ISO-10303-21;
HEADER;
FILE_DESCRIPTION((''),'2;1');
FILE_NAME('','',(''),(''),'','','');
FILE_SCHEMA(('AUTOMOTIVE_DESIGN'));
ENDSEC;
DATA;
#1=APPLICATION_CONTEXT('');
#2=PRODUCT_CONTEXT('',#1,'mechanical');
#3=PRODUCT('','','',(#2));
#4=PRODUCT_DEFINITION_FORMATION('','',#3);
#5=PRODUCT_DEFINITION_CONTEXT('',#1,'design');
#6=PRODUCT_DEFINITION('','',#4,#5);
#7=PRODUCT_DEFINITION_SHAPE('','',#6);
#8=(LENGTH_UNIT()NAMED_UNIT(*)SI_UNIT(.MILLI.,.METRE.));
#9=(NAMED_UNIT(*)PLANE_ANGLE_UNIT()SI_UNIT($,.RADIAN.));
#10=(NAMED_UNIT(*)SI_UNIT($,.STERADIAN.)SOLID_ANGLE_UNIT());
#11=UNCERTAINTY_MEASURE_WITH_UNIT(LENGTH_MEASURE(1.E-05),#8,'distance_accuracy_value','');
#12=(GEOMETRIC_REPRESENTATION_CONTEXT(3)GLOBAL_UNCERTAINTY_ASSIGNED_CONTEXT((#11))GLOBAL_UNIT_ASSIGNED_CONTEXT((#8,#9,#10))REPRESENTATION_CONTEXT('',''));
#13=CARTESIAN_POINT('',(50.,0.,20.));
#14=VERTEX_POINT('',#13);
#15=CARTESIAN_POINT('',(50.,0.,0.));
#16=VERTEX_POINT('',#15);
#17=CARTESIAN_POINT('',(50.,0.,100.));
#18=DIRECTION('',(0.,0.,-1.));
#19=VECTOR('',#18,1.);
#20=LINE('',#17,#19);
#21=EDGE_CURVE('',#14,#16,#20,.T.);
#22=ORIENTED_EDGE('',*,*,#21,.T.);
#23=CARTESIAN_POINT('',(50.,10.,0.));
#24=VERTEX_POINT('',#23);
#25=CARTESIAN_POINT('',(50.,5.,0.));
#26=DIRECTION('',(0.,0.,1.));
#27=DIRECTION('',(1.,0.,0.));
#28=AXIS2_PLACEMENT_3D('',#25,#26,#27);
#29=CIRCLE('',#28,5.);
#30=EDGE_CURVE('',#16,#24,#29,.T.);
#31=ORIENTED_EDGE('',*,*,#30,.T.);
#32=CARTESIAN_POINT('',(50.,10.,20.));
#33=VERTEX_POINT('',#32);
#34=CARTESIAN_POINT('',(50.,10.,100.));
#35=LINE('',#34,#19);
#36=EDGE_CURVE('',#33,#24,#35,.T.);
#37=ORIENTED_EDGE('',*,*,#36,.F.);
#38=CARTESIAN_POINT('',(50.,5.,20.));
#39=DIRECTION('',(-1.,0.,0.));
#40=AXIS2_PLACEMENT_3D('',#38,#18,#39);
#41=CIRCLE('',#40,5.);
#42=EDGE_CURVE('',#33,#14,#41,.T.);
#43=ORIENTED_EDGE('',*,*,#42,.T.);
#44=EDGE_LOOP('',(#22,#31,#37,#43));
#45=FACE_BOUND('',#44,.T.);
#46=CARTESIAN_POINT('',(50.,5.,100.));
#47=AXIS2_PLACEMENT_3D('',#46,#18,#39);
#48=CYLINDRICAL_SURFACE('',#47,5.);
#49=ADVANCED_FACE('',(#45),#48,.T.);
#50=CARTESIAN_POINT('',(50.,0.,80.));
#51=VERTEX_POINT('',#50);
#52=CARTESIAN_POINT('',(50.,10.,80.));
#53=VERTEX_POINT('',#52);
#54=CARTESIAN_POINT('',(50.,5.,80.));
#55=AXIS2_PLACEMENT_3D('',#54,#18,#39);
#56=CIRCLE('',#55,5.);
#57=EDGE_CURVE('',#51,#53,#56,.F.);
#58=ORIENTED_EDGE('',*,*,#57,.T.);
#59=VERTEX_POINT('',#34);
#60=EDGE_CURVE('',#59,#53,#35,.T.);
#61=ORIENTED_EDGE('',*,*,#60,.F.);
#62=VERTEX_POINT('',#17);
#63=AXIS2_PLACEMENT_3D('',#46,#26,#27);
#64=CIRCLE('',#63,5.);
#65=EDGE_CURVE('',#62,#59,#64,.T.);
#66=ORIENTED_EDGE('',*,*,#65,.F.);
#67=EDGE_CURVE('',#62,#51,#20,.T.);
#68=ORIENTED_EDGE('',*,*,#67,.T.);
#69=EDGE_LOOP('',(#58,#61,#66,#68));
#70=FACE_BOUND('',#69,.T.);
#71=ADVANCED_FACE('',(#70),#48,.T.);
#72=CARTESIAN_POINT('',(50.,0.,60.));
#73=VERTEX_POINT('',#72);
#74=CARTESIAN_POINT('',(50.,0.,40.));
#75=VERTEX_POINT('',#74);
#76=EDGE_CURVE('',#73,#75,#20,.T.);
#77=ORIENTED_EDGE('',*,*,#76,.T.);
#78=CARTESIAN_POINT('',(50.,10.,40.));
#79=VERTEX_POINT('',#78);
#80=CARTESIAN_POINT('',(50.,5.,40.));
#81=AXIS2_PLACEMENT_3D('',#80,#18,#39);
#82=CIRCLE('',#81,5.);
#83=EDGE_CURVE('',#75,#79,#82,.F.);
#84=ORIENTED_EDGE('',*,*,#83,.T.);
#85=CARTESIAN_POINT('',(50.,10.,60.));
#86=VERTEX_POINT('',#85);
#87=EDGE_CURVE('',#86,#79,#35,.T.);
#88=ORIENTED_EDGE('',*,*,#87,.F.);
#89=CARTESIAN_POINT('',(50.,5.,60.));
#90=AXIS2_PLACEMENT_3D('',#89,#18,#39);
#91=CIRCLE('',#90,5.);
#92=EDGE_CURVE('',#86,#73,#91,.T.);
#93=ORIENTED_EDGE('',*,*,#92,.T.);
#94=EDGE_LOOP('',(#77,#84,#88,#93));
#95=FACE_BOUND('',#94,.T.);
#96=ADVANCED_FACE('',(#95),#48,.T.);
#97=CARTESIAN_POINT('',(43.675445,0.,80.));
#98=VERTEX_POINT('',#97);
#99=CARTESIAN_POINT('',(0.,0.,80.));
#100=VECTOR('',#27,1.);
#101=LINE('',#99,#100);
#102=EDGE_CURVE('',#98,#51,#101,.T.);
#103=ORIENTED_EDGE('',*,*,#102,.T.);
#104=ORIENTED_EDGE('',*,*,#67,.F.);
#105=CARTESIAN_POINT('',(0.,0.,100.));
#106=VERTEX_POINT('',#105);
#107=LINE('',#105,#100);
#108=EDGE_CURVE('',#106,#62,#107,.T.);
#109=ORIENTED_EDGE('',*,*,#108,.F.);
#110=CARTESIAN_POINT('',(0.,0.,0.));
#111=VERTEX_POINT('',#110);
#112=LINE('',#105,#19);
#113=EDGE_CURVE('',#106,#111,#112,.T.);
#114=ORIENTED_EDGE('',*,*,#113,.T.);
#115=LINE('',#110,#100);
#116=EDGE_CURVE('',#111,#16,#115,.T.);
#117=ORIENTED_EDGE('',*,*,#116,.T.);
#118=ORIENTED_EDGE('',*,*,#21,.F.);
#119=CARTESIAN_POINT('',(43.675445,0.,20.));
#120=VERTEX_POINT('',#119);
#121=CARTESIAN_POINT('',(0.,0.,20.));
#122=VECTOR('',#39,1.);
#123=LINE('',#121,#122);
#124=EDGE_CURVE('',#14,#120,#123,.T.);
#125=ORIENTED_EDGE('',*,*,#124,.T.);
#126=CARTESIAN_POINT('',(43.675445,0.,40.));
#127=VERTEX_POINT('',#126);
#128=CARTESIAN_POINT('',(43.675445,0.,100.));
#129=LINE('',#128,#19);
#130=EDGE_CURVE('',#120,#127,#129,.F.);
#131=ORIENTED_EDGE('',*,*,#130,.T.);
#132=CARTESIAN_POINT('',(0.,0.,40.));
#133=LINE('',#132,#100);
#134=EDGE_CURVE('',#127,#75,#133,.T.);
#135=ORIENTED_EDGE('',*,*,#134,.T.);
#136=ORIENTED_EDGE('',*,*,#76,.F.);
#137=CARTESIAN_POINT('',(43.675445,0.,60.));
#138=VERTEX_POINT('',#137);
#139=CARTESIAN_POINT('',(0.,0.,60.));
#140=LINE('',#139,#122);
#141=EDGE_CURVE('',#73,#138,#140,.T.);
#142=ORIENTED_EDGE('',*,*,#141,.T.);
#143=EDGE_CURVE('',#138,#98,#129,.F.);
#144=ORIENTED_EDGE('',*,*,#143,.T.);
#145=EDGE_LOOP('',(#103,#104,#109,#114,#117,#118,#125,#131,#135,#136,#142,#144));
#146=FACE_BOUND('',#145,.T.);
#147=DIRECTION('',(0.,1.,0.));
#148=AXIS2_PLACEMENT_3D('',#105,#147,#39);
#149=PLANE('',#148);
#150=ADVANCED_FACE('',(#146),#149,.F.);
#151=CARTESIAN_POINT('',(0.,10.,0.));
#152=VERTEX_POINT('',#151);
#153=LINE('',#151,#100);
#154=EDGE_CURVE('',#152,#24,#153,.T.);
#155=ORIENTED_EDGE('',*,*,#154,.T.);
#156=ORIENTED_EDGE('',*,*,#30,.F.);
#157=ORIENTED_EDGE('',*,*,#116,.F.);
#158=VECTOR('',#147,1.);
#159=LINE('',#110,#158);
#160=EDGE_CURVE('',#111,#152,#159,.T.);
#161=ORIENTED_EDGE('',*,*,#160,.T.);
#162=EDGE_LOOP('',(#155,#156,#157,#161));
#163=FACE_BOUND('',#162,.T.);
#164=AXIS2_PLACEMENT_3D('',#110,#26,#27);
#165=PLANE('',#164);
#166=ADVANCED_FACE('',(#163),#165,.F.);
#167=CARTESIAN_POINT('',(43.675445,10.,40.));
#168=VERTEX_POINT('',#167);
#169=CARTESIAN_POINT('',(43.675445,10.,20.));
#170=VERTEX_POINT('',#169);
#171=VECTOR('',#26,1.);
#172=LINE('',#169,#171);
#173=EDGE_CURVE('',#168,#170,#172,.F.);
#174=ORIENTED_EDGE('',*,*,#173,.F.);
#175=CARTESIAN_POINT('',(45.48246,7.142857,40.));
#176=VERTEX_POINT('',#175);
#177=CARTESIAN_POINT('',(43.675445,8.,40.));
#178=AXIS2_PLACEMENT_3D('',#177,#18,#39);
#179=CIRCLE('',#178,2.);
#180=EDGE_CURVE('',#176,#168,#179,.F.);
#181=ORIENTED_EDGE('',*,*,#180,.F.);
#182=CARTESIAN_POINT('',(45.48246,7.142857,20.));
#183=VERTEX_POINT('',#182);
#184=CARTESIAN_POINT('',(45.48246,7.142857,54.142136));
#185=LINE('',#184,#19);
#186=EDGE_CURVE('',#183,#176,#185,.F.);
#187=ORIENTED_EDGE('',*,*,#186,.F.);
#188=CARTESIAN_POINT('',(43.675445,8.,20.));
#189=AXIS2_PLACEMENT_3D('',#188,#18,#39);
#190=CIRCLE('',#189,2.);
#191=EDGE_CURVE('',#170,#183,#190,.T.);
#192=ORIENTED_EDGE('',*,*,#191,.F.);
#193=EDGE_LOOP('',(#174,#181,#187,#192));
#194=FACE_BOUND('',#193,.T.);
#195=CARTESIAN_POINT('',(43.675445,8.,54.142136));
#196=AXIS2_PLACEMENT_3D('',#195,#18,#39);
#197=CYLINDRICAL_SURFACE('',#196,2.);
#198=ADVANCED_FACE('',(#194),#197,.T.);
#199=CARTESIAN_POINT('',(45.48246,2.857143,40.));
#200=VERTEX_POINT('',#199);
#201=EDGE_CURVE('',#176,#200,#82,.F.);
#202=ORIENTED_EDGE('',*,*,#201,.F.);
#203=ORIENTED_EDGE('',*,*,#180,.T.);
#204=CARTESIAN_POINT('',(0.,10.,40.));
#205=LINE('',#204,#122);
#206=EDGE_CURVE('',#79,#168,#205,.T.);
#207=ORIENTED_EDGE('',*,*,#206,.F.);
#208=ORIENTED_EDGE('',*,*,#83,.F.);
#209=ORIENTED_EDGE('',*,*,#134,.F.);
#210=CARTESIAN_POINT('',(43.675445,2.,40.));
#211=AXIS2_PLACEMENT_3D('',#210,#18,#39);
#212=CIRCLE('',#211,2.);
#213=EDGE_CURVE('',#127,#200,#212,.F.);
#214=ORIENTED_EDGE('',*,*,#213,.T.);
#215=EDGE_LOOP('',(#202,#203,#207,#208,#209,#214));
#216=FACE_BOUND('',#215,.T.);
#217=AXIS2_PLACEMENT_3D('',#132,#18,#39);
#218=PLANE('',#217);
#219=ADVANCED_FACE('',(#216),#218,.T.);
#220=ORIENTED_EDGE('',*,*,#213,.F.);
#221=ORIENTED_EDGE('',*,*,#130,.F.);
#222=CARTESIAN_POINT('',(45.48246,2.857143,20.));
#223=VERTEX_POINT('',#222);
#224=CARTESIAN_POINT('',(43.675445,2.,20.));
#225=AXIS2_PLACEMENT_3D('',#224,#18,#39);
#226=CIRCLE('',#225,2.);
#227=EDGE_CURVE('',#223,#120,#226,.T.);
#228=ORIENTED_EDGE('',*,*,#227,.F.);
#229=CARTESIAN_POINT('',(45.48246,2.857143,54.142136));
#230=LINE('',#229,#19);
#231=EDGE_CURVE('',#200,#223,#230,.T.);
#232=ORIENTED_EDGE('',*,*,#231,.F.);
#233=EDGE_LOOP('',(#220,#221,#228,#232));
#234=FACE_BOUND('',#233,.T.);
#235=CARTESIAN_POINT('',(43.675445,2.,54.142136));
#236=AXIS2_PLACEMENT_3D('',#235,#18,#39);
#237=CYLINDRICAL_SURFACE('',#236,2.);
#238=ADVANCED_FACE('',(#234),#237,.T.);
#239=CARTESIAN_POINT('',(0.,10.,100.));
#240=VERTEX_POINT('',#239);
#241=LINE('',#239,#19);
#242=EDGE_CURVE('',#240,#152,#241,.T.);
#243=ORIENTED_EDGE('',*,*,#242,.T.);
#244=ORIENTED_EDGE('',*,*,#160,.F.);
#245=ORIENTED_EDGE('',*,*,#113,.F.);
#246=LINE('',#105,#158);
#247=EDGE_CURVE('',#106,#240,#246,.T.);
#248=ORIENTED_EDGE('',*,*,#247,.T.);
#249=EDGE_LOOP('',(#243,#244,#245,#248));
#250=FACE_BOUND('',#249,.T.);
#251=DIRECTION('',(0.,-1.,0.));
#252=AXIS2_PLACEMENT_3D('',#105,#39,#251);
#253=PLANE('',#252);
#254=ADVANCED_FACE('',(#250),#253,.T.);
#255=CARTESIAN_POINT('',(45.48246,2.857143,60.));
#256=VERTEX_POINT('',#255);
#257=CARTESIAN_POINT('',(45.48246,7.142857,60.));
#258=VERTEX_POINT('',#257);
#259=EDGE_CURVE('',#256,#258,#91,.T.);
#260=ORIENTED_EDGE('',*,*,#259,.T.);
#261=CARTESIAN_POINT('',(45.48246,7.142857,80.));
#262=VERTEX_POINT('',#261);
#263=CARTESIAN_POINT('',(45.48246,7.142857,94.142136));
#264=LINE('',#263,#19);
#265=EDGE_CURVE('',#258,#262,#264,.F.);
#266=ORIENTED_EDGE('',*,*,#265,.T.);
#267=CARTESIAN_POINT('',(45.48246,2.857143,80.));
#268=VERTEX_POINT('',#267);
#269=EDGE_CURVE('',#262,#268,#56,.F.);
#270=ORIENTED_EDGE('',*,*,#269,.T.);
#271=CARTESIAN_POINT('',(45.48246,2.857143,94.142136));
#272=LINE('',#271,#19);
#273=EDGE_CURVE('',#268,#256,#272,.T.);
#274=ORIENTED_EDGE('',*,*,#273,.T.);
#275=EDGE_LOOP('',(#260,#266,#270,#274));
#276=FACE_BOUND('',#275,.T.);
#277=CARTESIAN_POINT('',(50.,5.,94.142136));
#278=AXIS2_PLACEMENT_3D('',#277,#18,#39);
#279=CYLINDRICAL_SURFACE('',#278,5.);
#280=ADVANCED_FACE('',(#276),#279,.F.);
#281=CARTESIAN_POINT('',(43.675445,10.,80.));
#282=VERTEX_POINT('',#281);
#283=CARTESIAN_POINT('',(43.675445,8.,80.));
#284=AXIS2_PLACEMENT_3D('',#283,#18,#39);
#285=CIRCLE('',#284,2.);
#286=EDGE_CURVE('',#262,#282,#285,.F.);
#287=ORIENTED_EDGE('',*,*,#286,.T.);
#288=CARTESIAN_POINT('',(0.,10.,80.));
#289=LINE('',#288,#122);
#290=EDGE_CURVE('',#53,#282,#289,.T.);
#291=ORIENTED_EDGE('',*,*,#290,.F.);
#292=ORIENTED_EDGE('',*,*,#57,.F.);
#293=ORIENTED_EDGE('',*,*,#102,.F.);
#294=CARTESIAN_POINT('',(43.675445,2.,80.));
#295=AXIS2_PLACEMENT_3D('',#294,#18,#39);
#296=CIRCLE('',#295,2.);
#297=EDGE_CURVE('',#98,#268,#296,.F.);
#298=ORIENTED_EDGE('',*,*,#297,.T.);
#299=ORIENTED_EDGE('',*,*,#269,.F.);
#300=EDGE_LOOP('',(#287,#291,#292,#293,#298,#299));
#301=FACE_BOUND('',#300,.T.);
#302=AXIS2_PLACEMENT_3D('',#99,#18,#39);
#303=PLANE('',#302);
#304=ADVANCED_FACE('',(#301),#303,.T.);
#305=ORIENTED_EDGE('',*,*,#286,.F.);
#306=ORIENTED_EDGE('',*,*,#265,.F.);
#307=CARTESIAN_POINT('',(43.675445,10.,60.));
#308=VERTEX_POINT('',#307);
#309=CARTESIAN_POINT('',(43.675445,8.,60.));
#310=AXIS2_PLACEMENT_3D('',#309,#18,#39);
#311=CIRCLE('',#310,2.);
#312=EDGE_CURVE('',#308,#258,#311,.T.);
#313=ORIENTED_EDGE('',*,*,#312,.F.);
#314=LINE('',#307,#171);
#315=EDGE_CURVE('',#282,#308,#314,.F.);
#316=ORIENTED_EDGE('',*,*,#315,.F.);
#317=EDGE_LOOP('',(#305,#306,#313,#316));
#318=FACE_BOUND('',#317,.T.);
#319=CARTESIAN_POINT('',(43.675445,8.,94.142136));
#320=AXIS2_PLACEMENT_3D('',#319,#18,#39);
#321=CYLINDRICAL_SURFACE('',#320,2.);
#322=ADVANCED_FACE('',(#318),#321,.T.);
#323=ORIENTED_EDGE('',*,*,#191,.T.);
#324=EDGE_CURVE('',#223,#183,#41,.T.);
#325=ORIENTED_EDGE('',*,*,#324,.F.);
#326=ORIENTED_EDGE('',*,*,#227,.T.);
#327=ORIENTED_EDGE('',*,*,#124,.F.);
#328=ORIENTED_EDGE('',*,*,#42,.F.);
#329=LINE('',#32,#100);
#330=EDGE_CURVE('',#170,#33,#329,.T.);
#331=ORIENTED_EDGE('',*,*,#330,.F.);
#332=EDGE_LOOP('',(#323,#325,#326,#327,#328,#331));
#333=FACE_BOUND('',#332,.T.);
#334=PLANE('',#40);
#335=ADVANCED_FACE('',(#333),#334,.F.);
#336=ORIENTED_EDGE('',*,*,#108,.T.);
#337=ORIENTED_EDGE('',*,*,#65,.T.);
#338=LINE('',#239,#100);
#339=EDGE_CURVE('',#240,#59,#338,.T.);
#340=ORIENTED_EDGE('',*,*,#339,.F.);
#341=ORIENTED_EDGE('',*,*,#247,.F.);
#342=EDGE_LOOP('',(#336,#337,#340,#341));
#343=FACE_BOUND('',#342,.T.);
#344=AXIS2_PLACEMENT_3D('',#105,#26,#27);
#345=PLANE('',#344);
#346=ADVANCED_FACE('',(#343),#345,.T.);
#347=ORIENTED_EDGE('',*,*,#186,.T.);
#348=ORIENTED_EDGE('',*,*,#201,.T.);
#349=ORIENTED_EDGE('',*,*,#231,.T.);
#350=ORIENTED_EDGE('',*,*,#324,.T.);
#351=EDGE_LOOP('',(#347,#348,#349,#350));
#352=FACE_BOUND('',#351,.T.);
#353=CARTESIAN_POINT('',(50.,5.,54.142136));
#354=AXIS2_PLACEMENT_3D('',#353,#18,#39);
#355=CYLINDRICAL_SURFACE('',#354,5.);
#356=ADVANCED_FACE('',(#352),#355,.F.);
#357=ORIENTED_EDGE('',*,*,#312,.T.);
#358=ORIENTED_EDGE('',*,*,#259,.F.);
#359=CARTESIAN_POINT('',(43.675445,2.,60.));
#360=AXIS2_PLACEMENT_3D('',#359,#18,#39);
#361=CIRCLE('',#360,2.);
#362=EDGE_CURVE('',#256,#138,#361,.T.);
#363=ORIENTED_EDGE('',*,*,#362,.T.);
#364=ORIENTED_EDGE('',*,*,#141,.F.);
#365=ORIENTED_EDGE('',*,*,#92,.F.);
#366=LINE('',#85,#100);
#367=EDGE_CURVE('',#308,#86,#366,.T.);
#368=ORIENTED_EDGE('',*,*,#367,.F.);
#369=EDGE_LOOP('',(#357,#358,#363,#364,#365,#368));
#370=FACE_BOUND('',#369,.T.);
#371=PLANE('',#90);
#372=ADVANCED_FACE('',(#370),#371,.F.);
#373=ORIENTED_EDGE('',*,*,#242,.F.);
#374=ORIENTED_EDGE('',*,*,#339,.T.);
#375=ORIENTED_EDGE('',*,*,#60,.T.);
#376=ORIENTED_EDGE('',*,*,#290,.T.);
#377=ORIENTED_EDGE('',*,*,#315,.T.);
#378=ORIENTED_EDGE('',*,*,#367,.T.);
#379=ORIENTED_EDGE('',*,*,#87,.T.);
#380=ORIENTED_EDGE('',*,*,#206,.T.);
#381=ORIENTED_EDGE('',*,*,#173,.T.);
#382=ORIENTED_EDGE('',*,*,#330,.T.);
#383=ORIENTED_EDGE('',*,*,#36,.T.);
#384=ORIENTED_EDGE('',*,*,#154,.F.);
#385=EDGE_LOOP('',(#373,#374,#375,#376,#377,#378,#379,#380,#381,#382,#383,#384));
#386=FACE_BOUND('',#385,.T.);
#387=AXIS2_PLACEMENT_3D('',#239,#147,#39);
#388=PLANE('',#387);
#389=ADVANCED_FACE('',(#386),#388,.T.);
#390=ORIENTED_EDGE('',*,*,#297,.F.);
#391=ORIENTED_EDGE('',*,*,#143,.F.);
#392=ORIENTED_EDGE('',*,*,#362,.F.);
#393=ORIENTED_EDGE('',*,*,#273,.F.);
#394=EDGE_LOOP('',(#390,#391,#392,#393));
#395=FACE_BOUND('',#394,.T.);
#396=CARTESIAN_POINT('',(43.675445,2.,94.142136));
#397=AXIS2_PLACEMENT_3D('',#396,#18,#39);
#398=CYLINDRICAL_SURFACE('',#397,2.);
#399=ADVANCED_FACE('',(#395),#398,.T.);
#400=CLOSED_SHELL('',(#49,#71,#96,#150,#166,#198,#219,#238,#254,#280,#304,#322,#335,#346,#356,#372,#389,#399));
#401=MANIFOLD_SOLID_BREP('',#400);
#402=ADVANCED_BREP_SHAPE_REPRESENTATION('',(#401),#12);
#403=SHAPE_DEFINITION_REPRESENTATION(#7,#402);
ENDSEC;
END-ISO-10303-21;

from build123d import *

# Parameters (mm, degrees)
SKETCH1_R      = 4.999999999999997
EXTRUDE1_DEPTH = 100
EXTRUDE3_START = 20
SKETCH1_5_R    = 4.999999999999997
EXTRUDE3_DEPTH = 20
EXTRUDE5_START = 60
SKETCH1_7_R    = 4.999999999999997
EXTRUDE5_DEPTH = 20
FILLET1_R      = 2


with BuildPart() as part:
    # Sketch1 → Extrude1 (new body)
    with BuildSketch(Plane.XY):
        with Locations((50, 5.000000000000032)):
            Circle(SKETCH1_R)
        Polygon((0, 0), (50, 2.082e-14), (50, 10.00000000000003), (-1.84e-15, 10.00000000000004), align=None)
    extrude(amount=EXTRUDE1_DEPTH)

    # Sketch1<5> → Extrude3 (cut)
    with BuildSketch(Plane.XY.offset(EXTRUDE3_START)):
        with Locations((50, 5.000000000000032)):
            Circle(SKETCH1_5_R)
    extrude(amount=EXTRUDE3_DEPTH, mode=Mode.SUBTRACT)

    # Sketch1<7> → Extrude5 (cut)
    with BuildSketch(Plane.XY.offset(EXTRUDE5_START)):
        with Locations((50, 5.000000000000032)):
            Circle(SKETCH1_7_R)
    extrude(amount=EXTRUDE5_DEPTH, mode=Mode.SUBTRACT)

    # Fillet1
    fillet1_edges = [part.edges().sort_by_distance(p)[0] for p in [
        (50, 10.00000000000003, 30),
        (50, 2.082e-14, 30),
        (50, 2.082e-14, 70),
        (50, 10.00000000000003, 70),
    ]]
    fillet(fillet1_edges, radius=FILLET1_R)


solid = part.part
